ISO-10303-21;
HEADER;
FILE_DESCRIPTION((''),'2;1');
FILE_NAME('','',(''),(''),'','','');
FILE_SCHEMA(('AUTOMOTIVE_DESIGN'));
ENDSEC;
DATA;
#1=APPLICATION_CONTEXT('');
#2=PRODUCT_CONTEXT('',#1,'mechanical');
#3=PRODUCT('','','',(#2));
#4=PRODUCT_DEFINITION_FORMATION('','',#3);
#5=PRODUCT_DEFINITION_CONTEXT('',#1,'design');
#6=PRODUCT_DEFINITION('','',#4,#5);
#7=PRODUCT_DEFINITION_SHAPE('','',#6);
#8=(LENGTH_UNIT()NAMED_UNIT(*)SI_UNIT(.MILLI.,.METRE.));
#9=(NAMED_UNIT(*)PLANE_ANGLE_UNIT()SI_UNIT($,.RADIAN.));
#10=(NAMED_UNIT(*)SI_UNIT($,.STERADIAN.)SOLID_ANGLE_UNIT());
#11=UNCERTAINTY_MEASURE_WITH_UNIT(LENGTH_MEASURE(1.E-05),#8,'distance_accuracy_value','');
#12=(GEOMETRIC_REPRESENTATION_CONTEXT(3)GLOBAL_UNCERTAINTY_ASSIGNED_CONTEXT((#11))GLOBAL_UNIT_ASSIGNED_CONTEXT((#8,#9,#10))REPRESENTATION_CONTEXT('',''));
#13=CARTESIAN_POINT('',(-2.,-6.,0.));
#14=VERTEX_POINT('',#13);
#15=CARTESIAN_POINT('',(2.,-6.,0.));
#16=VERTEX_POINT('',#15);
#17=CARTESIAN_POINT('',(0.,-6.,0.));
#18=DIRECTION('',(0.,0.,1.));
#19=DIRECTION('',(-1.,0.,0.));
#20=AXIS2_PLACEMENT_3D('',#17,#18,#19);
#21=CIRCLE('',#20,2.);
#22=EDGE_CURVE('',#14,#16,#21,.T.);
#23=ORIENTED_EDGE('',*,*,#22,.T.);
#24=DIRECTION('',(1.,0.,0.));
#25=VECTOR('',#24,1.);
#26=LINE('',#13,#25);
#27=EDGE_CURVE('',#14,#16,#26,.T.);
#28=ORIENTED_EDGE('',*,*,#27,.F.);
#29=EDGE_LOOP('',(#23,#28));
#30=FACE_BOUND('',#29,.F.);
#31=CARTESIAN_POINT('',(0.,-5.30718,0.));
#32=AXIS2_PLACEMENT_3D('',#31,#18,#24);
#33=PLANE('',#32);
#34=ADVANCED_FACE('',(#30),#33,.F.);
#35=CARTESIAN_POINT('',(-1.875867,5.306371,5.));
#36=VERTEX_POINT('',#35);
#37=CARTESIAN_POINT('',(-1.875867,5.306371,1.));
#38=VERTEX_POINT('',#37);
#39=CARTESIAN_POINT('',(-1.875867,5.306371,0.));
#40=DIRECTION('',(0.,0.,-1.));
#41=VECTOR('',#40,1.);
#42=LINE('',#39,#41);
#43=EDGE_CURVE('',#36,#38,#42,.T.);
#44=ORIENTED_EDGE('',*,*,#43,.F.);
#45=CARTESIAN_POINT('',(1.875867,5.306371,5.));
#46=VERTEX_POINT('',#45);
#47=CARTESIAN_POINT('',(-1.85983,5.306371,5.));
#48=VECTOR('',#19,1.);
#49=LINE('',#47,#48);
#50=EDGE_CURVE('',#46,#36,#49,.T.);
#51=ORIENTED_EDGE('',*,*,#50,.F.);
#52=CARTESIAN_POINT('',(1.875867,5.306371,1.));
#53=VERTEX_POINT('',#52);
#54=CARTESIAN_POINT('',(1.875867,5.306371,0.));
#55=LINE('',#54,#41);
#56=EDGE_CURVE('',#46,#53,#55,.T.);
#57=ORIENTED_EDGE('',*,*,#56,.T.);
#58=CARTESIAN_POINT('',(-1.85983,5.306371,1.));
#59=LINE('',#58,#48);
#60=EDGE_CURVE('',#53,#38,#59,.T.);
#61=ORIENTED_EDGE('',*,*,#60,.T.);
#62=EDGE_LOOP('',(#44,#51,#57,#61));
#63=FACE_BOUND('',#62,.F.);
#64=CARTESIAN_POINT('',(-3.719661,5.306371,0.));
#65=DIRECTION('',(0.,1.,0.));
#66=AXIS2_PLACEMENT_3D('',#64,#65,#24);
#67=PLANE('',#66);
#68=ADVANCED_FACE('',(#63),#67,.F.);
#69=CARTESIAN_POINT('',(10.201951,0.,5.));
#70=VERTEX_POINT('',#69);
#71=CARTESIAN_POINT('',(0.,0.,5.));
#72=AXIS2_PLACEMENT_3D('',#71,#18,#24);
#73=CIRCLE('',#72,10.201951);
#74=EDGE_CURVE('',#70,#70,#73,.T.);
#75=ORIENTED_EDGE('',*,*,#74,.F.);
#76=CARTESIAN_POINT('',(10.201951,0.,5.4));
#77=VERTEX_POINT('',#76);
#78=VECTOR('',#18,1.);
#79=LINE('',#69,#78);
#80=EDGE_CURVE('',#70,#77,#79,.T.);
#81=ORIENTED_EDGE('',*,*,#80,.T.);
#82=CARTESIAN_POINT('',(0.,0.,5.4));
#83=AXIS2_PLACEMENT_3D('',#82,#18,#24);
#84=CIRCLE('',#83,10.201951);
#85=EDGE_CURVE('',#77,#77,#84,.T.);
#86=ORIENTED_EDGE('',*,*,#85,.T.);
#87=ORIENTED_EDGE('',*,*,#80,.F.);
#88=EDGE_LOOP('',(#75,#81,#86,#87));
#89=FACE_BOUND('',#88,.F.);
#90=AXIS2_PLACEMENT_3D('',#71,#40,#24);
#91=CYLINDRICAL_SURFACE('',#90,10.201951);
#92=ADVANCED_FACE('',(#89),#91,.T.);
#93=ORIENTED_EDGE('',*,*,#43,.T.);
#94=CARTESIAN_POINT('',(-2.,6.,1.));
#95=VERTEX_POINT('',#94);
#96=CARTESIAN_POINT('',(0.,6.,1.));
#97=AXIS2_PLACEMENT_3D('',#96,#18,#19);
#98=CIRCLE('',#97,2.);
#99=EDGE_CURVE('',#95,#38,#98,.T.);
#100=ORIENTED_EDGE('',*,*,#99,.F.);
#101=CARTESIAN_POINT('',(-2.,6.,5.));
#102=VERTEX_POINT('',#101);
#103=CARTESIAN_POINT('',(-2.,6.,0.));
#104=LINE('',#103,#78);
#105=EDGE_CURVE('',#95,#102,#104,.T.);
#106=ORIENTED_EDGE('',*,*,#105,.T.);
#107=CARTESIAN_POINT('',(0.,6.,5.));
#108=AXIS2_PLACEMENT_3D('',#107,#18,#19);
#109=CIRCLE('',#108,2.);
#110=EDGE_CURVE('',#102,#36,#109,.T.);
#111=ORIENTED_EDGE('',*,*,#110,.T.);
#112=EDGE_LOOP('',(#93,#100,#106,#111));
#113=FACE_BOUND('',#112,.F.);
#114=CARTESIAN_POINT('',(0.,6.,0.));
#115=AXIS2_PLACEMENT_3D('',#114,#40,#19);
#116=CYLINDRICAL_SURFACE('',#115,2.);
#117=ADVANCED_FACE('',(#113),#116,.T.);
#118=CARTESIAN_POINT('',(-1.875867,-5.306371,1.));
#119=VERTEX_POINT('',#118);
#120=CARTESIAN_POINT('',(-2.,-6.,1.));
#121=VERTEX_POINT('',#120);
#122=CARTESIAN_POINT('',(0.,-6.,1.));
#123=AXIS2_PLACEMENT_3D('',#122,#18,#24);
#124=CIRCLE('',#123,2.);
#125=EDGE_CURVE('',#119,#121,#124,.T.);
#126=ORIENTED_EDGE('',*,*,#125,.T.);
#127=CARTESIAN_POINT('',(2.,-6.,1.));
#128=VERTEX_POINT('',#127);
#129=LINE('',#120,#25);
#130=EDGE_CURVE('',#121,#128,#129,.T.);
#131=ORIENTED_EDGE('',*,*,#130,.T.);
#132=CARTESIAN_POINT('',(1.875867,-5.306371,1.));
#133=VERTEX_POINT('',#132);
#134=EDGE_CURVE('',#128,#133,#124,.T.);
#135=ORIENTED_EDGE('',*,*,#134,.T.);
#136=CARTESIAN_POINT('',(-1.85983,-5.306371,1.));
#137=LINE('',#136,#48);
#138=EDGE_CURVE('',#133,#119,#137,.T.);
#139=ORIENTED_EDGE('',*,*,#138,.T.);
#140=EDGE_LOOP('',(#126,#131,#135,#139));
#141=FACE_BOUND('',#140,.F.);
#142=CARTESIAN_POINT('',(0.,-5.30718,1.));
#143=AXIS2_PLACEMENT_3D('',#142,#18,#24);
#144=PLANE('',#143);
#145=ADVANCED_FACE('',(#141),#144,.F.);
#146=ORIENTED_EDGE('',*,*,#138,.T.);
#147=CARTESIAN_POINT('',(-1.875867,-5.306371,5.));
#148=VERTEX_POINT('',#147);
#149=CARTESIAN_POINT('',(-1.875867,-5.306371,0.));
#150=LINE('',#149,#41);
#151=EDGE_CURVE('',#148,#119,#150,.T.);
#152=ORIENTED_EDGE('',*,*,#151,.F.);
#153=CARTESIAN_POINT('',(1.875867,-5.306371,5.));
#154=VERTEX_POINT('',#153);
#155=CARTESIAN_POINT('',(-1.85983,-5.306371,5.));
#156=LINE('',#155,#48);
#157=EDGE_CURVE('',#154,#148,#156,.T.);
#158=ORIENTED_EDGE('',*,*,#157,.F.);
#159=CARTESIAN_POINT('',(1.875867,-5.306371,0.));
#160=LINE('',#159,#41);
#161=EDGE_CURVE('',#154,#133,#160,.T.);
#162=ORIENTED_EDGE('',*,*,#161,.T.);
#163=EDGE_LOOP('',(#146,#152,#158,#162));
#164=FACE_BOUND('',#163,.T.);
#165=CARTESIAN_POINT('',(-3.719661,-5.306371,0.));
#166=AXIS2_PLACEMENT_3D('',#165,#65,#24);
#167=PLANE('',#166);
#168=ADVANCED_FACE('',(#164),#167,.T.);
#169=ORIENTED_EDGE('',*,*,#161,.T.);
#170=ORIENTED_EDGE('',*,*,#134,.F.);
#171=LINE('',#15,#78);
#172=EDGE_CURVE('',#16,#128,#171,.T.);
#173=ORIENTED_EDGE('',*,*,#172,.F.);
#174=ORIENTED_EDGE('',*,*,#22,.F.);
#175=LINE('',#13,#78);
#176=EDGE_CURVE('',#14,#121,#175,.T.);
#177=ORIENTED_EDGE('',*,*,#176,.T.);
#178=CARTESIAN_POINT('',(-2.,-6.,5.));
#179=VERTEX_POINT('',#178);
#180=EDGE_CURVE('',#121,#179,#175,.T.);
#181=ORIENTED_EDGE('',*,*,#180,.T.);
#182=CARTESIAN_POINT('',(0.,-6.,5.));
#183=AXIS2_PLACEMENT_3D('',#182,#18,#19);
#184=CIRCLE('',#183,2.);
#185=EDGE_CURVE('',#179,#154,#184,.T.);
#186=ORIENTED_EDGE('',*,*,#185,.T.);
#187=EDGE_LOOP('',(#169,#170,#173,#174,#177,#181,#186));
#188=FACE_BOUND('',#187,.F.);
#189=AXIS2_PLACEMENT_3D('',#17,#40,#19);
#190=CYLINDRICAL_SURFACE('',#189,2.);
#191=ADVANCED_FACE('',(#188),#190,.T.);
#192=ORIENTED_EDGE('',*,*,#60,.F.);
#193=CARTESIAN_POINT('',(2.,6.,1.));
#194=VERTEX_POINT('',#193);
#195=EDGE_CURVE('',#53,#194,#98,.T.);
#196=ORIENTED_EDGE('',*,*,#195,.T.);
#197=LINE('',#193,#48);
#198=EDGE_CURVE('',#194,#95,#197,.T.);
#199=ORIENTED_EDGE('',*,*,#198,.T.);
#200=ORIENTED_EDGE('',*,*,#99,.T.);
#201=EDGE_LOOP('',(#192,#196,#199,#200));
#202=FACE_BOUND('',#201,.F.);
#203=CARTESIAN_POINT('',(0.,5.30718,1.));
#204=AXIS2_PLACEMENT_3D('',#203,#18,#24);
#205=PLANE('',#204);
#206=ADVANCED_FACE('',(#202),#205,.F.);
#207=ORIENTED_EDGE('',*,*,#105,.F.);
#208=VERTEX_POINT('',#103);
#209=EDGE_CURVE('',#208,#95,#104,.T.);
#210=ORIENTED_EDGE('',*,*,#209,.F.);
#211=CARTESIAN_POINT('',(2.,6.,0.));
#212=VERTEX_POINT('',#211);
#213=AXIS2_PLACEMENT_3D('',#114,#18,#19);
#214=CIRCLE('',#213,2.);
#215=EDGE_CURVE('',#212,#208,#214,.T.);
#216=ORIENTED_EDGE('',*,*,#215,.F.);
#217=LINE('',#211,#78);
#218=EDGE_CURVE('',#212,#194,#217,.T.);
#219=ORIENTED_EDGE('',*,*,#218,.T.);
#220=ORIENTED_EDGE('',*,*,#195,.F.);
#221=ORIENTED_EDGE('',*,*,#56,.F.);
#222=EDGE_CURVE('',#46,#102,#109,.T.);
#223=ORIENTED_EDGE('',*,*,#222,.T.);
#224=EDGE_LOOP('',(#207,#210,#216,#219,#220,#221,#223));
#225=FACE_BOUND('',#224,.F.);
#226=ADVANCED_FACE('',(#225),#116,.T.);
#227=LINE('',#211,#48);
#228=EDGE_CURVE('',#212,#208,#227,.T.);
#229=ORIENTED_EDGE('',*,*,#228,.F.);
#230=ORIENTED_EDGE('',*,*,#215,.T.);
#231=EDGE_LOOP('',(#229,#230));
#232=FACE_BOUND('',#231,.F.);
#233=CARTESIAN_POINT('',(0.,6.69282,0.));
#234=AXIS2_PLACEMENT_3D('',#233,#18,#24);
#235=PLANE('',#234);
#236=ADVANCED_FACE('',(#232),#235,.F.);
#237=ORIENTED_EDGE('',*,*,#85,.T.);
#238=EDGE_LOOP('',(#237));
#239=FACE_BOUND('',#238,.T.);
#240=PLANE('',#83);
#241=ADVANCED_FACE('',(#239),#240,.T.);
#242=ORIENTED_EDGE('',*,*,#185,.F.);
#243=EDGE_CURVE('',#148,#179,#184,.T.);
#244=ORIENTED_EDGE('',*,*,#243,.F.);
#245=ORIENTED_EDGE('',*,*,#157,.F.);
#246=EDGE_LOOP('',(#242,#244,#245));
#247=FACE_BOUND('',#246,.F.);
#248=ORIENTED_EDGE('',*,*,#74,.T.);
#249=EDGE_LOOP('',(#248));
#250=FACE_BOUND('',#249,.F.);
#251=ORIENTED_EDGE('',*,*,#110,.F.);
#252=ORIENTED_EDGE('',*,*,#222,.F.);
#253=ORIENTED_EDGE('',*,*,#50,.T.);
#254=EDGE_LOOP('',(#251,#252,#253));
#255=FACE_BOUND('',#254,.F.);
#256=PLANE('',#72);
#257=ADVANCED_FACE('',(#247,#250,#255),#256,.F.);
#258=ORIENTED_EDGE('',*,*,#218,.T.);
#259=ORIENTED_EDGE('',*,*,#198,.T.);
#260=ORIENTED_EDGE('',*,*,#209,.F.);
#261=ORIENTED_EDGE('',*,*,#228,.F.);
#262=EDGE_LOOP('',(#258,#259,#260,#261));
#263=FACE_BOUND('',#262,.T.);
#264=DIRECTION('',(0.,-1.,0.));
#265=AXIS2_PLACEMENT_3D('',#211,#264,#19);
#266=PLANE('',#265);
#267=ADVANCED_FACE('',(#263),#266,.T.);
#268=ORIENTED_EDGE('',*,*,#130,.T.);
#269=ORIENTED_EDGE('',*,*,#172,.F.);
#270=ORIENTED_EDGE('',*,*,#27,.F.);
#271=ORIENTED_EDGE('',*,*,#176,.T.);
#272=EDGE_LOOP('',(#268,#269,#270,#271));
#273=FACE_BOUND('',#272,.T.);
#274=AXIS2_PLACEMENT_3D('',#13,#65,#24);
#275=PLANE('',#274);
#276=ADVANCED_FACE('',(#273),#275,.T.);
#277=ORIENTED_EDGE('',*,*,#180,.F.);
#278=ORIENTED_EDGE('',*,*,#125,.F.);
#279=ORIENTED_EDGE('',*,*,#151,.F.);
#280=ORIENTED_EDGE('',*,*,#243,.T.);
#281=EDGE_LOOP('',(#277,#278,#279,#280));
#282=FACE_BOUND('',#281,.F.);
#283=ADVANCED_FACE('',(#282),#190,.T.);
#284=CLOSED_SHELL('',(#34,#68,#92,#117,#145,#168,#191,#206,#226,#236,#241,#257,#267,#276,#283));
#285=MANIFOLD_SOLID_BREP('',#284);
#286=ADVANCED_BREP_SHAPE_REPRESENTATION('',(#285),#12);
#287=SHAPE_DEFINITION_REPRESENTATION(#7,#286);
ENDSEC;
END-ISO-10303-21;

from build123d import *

# Parameters (mm, degrees)
F1_DEPTH = 5
F2_DEPTH = 1
F3_W     = 7.4393213727
F3_H     = 10.612742044
F4_DEPTH = 25
F5_R     = 10.2019510015
F6_DEPTH = 0.4


with BuildPart() as f1:
    # F0 (on Top) → F1 (new body)
    with BuildSketch(Plane.XY):
        with BuildLine():
            Line((-2, 6), (2, 6))
            ThreePointArc((2, 6), (0, 8), (-2, 6))
        make_face()
        with BuildLine():
            ThreePointArc((-2, 6), (0, 4), (2, 6))
            Line((2, 6), (-2, 6))
        make_face()
    extrude(amount=F1_DEPTH)


with BuildPart() as f1b:
    # F0 (on Top) → F1, piece 2 (new body)
    with BuildSketch(Plane.XY):
        with BuildLine():
            Line((-2, -6), (2, -6))
            ThreePointArc((2, -6), (0, -4), (-2, -6))
        make_face()
        with BuildLine():
            ThreePointArc((-2, -6), (0, -8), (2, -6))
            Line((2, -6), (-2, -6))
        make_face()
    extrude(amount=F1_DEPTH)


with BuildPart() as f2_tool:
    # F0 (on Top) → F2 (new body)
    with BuildSketch(Plane.XY):
        with BuildLine():
            ThreePointArc((-2, 6), (0, 4), (2, 6))
            Line((2, 6), (-2, 6))
        make_face()
        with BuildLine():
            Line((-2, -6), (2, -6))
            ThreePointArc((2, -6), (0, -4), (-2, -6))
        make_face()
    extrude(amount=F2_DEPTH)


with BuildPart() as f1_1:
    add(f1.part)

    # F2: cut by f2_tool
    add(f2_tool.part, mode=Mode.SUBTRACT)


with BuildPart() as f1b_1:
    add(f1b.part)

    # F2: cut by f2_tool
    add(f2_tool.part, mode=Mode.SUBTRACT)


with BuildPart() as f4_tool:
    # F3 (on face) → F4 (new body)
    with BuildSketch(Plane.XY):
        Rectangle(F3_W, F3_H)
    extrude(amount=F4_DEPTH)


with BuildPart() as f1_2:
    add(f1_1.part)

    # F4: cut by f4_tool
    add(f4_tool.part, mode=Mode.SUBTRACT)



with BuildPart() as f1b_2:
    add(f1b_1.part)

    # F4: cut by f4_tool
    add(f4_tool.part, mode=Mode.SUBTRACT)


with BuildPart() as f1_3:
    add(f1_2.part)

    add(f1b_2.part)  # F6 merges F1b
    # F5 (on face) → F6 (join)
    with BuildSketch(Plane.XY.offset(5)):
        Circle(F5_R)
    extrude(amount=F6_DEPTH)


solid = f1_3.part
